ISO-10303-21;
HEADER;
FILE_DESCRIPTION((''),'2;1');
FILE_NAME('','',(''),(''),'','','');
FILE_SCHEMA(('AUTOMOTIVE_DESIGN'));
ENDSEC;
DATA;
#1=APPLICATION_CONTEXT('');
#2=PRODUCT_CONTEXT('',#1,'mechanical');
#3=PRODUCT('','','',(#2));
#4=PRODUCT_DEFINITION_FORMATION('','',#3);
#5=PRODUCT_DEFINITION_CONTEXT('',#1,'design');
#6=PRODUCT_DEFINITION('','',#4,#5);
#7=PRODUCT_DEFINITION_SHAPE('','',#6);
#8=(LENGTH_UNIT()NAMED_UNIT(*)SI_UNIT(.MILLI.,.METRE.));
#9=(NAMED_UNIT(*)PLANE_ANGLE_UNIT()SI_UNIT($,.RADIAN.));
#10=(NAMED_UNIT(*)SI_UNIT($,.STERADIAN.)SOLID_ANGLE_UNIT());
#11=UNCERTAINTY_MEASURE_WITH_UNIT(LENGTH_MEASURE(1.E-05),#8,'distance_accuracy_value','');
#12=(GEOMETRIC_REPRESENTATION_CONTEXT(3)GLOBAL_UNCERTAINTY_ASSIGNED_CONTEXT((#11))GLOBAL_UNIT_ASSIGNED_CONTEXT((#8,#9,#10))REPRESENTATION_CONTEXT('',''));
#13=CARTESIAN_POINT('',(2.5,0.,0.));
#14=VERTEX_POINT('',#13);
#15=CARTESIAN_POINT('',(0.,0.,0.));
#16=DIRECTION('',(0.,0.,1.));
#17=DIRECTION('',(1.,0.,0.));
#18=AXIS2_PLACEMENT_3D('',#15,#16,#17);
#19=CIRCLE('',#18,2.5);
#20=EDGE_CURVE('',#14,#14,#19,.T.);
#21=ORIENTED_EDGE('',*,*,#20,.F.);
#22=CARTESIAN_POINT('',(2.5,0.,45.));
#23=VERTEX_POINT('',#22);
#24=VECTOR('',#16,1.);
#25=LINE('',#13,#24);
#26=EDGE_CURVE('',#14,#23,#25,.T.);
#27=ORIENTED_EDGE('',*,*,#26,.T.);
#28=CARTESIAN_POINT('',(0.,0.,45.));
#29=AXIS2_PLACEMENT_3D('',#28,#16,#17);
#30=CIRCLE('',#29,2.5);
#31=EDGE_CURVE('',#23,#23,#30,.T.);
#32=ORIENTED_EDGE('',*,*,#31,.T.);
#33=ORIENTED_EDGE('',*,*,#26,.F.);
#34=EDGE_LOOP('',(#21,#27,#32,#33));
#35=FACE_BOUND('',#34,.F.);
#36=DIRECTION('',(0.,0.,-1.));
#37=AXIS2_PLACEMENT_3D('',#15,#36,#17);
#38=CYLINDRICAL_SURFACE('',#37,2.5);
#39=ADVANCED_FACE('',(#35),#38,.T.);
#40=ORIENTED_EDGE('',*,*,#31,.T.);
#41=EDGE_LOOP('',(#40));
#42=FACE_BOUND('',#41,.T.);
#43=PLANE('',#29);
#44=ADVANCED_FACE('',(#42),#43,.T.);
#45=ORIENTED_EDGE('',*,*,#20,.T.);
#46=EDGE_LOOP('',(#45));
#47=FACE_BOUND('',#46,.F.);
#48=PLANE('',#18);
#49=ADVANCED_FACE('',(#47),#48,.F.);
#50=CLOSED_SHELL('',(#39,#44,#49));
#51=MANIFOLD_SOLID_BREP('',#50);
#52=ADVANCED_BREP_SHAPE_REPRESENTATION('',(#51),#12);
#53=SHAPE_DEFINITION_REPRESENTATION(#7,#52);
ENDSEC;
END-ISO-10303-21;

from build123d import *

# Parameters (mm, degrees)
SCHIZZO1_R                   = 2.5
ESTRUSIONE_ESTRUSIONE1_DEPTH = 45


with BuildPart() as part:
    # Schizzo1 → Estrusione-Estrusione1 (new body)
    with BuildSketch(Plane.XY):
        Circle(SCHIZZO1_R)
    extrude(amount=ESTRUSIONE_ESTRUSIONE1_DEPTH)


solid = part.part
